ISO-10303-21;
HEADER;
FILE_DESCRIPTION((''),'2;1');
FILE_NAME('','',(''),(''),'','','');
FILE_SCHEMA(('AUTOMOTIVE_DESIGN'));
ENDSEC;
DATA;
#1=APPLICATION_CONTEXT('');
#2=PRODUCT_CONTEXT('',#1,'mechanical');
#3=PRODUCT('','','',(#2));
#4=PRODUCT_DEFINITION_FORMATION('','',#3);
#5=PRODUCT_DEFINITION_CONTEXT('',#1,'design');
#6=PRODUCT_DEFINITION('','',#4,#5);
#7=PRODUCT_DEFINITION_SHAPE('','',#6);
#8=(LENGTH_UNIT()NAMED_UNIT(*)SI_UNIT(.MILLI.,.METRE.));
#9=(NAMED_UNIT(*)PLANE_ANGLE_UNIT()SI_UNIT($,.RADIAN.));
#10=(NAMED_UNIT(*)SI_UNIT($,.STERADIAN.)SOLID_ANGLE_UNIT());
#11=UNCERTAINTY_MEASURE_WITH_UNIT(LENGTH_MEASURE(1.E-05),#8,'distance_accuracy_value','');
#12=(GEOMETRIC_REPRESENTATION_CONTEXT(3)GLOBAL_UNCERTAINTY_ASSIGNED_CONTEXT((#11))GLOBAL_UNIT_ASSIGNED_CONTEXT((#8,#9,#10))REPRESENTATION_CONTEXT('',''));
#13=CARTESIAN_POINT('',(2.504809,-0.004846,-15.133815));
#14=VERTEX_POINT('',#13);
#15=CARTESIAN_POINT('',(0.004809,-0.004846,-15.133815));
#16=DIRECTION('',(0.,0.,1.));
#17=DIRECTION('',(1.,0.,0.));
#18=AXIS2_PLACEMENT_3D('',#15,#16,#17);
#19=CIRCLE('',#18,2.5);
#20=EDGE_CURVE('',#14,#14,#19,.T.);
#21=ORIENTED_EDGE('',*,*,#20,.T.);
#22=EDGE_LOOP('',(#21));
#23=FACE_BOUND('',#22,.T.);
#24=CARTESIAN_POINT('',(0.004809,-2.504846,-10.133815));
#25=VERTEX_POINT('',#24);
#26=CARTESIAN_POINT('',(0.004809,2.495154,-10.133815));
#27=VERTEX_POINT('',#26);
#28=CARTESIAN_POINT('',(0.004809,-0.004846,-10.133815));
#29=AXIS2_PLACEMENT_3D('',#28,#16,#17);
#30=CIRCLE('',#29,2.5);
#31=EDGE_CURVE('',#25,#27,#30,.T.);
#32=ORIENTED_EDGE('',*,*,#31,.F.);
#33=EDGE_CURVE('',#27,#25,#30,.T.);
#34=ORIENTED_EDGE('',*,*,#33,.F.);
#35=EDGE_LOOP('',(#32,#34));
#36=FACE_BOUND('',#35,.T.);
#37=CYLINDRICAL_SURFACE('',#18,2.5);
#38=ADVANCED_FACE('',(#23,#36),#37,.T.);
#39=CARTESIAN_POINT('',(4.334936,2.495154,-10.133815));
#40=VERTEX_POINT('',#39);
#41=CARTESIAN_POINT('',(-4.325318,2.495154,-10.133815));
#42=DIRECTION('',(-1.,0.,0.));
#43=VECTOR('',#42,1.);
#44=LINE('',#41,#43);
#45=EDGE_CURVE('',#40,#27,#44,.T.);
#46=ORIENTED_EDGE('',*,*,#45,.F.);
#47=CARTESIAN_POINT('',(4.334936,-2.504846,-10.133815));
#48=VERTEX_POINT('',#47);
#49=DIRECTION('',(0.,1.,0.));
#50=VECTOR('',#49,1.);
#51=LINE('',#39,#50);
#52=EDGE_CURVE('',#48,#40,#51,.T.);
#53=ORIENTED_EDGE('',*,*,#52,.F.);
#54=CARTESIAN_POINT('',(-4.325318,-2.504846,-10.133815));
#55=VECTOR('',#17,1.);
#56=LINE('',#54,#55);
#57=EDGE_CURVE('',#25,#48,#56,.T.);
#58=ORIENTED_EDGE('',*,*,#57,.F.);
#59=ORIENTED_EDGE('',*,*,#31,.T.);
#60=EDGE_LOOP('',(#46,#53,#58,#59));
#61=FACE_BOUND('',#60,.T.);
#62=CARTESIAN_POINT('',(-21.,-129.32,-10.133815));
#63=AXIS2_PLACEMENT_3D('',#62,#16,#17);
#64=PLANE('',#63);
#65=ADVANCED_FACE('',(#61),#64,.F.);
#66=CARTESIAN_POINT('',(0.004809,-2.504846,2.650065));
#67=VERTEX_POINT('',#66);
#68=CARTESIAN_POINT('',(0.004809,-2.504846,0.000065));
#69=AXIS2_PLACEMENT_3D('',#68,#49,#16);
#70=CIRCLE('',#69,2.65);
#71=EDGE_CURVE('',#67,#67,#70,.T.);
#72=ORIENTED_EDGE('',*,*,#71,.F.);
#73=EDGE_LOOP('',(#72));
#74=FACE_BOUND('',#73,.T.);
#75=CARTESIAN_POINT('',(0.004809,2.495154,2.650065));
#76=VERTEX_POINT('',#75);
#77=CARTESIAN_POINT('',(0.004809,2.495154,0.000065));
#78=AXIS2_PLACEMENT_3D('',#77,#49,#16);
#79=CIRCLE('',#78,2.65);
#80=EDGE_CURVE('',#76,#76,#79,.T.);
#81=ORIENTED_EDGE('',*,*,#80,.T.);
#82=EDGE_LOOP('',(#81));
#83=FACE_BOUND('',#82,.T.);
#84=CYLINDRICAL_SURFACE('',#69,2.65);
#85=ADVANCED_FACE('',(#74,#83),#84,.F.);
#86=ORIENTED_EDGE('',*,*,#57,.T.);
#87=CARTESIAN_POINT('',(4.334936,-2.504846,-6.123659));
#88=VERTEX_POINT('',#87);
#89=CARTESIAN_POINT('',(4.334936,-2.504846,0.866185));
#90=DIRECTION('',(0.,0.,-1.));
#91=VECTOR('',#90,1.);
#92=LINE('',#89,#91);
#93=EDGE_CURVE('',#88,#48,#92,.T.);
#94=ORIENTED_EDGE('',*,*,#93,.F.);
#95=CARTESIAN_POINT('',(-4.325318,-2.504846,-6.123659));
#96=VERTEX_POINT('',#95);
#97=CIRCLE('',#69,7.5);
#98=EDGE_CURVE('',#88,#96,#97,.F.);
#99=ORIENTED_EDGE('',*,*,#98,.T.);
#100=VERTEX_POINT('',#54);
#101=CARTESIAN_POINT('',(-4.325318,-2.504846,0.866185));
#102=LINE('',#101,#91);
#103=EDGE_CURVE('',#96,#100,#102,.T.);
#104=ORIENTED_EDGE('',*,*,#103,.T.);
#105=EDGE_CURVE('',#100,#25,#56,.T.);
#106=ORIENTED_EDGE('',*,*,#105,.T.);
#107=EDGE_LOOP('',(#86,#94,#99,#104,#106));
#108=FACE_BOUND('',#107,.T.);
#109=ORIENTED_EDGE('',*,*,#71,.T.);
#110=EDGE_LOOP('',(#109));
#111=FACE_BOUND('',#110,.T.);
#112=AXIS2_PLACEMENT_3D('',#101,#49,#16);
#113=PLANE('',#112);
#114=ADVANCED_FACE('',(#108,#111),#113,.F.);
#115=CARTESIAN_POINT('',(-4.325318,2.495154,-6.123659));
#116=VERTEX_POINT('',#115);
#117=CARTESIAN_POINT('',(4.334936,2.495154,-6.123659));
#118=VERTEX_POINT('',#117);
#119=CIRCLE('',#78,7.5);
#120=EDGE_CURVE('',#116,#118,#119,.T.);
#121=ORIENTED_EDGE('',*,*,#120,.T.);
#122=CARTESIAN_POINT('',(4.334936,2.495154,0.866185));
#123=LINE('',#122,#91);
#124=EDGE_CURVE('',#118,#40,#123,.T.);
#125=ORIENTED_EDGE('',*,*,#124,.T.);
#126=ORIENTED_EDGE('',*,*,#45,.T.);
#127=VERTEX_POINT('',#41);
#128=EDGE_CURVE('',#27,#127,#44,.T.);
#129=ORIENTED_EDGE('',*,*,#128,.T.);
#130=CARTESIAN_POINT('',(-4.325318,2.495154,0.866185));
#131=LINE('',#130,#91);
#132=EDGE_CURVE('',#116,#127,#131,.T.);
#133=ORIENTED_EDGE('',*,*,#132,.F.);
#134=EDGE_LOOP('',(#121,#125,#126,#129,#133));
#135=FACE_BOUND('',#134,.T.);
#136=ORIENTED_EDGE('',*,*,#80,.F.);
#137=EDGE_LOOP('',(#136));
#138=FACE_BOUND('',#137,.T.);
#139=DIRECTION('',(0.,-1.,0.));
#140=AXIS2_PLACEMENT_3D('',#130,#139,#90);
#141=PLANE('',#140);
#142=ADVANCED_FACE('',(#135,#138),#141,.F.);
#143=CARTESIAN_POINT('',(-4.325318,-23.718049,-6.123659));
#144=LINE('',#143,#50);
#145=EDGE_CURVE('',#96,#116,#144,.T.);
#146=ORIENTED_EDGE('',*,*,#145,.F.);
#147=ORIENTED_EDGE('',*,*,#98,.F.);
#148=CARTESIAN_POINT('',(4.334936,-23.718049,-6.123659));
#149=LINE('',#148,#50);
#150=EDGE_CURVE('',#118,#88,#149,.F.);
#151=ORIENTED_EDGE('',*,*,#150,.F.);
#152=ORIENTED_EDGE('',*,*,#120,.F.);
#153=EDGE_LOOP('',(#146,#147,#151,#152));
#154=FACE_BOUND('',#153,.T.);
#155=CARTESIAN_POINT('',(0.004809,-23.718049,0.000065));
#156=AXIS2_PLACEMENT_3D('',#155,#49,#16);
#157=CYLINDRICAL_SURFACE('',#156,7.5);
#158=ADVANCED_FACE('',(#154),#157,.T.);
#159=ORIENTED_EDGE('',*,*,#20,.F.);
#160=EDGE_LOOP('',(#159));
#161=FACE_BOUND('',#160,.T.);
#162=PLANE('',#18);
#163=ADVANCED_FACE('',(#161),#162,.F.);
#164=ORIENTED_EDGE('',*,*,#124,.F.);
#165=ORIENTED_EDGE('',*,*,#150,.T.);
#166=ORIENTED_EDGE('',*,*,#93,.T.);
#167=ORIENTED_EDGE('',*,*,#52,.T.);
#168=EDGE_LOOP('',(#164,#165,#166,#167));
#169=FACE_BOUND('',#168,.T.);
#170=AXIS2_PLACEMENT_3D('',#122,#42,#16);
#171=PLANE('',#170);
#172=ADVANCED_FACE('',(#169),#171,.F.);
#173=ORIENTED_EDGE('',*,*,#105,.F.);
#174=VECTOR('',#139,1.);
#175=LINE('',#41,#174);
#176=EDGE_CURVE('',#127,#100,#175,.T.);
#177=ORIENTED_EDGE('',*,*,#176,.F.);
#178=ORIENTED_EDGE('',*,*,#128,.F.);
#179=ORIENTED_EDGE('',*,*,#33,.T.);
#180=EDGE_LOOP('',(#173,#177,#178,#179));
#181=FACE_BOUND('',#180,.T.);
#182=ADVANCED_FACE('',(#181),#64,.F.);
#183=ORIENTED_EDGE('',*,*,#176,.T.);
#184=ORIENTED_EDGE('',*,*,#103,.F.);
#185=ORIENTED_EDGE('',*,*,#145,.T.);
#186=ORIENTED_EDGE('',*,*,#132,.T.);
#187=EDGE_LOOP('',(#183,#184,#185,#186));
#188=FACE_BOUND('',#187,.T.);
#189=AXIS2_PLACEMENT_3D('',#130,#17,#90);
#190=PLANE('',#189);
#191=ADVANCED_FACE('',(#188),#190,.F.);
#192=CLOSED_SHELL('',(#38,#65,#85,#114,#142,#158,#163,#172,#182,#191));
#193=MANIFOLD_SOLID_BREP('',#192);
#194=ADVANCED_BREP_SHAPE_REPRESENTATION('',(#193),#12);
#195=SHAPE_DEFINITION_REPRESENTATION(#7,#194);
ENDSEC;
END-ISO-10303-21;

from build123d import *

# Parameters (mm, degrees)
SKETCH1_R           = 2.5
BOSS_EXTRUDE1_DEPTH = 5
SKETCH2_W           = 8.660254038
SKETCH2_H           = 5
BOSS_EXTRUDE2_DEPTH = 11
SKETCH3_R           = 7.5
BOSS_EXTRUDE3_DEPTH = 5
SKETCH4_R           = 2.65
CUT_EXTRUDE1_DEPTH  = 36.309767636


with BuildPart() as part:
    # Sketch1 → Boss-Extrude1 (new body)
    with BuildSketch(Plane.XY.offset(2.596184677)):
        with Locations((21.004809472, 129.315154096)):
            Circle(SKETCH1_R)
    extrude(amount=-BOSS_EXTRUDE1_DEPTH)

    # Sketch2 → Boss-Extrude2 (add)
    with BuildSketch(Plane.XY.offset(2.596184677)):
        with Locations((21.004809472, 129.315154096)):
            Rectangle(SKETCH2_W, SKETCH2_H)
    extrude(amount=BOSS_EXTRUDE2_DEPTH)

    # Sketch3 → Boss-Extrude3 (add)
    with BuildSketch(Plane(origin=(0, 131.815154096, 0), x_dir=(1, 0, 0), z_dir=(0, 1, 0))):
        with Locations((21.004809472, -12.730064941)):
            Circle(SKETCH3_R)
    extrude(amount=-BOSS_EXTRUDE3_DEPTH)

    # Sketch4 → Cut-Extrude1 (cut, through all)
    with BuildSketch(Plane(origin=(0, 131.815154096, 0), x_dir=(1, 0, 0), z_dir=(0, 1, 0))):
        with Locations(Location((21.004809472, -12.730064941, 0), (0, 0, 270))):
            Circle(SKETCH4_R)
    extrude(amount=-CUT_EXTRUDE1_DEPTH, mode=Mode.SUBTRACT)


with BuildPart() as part_1:
    # Body-Move/Copy1: moved
    add(part.part.moved(Location((-21, -129.32, -12.73))))


solid = part_1.part
